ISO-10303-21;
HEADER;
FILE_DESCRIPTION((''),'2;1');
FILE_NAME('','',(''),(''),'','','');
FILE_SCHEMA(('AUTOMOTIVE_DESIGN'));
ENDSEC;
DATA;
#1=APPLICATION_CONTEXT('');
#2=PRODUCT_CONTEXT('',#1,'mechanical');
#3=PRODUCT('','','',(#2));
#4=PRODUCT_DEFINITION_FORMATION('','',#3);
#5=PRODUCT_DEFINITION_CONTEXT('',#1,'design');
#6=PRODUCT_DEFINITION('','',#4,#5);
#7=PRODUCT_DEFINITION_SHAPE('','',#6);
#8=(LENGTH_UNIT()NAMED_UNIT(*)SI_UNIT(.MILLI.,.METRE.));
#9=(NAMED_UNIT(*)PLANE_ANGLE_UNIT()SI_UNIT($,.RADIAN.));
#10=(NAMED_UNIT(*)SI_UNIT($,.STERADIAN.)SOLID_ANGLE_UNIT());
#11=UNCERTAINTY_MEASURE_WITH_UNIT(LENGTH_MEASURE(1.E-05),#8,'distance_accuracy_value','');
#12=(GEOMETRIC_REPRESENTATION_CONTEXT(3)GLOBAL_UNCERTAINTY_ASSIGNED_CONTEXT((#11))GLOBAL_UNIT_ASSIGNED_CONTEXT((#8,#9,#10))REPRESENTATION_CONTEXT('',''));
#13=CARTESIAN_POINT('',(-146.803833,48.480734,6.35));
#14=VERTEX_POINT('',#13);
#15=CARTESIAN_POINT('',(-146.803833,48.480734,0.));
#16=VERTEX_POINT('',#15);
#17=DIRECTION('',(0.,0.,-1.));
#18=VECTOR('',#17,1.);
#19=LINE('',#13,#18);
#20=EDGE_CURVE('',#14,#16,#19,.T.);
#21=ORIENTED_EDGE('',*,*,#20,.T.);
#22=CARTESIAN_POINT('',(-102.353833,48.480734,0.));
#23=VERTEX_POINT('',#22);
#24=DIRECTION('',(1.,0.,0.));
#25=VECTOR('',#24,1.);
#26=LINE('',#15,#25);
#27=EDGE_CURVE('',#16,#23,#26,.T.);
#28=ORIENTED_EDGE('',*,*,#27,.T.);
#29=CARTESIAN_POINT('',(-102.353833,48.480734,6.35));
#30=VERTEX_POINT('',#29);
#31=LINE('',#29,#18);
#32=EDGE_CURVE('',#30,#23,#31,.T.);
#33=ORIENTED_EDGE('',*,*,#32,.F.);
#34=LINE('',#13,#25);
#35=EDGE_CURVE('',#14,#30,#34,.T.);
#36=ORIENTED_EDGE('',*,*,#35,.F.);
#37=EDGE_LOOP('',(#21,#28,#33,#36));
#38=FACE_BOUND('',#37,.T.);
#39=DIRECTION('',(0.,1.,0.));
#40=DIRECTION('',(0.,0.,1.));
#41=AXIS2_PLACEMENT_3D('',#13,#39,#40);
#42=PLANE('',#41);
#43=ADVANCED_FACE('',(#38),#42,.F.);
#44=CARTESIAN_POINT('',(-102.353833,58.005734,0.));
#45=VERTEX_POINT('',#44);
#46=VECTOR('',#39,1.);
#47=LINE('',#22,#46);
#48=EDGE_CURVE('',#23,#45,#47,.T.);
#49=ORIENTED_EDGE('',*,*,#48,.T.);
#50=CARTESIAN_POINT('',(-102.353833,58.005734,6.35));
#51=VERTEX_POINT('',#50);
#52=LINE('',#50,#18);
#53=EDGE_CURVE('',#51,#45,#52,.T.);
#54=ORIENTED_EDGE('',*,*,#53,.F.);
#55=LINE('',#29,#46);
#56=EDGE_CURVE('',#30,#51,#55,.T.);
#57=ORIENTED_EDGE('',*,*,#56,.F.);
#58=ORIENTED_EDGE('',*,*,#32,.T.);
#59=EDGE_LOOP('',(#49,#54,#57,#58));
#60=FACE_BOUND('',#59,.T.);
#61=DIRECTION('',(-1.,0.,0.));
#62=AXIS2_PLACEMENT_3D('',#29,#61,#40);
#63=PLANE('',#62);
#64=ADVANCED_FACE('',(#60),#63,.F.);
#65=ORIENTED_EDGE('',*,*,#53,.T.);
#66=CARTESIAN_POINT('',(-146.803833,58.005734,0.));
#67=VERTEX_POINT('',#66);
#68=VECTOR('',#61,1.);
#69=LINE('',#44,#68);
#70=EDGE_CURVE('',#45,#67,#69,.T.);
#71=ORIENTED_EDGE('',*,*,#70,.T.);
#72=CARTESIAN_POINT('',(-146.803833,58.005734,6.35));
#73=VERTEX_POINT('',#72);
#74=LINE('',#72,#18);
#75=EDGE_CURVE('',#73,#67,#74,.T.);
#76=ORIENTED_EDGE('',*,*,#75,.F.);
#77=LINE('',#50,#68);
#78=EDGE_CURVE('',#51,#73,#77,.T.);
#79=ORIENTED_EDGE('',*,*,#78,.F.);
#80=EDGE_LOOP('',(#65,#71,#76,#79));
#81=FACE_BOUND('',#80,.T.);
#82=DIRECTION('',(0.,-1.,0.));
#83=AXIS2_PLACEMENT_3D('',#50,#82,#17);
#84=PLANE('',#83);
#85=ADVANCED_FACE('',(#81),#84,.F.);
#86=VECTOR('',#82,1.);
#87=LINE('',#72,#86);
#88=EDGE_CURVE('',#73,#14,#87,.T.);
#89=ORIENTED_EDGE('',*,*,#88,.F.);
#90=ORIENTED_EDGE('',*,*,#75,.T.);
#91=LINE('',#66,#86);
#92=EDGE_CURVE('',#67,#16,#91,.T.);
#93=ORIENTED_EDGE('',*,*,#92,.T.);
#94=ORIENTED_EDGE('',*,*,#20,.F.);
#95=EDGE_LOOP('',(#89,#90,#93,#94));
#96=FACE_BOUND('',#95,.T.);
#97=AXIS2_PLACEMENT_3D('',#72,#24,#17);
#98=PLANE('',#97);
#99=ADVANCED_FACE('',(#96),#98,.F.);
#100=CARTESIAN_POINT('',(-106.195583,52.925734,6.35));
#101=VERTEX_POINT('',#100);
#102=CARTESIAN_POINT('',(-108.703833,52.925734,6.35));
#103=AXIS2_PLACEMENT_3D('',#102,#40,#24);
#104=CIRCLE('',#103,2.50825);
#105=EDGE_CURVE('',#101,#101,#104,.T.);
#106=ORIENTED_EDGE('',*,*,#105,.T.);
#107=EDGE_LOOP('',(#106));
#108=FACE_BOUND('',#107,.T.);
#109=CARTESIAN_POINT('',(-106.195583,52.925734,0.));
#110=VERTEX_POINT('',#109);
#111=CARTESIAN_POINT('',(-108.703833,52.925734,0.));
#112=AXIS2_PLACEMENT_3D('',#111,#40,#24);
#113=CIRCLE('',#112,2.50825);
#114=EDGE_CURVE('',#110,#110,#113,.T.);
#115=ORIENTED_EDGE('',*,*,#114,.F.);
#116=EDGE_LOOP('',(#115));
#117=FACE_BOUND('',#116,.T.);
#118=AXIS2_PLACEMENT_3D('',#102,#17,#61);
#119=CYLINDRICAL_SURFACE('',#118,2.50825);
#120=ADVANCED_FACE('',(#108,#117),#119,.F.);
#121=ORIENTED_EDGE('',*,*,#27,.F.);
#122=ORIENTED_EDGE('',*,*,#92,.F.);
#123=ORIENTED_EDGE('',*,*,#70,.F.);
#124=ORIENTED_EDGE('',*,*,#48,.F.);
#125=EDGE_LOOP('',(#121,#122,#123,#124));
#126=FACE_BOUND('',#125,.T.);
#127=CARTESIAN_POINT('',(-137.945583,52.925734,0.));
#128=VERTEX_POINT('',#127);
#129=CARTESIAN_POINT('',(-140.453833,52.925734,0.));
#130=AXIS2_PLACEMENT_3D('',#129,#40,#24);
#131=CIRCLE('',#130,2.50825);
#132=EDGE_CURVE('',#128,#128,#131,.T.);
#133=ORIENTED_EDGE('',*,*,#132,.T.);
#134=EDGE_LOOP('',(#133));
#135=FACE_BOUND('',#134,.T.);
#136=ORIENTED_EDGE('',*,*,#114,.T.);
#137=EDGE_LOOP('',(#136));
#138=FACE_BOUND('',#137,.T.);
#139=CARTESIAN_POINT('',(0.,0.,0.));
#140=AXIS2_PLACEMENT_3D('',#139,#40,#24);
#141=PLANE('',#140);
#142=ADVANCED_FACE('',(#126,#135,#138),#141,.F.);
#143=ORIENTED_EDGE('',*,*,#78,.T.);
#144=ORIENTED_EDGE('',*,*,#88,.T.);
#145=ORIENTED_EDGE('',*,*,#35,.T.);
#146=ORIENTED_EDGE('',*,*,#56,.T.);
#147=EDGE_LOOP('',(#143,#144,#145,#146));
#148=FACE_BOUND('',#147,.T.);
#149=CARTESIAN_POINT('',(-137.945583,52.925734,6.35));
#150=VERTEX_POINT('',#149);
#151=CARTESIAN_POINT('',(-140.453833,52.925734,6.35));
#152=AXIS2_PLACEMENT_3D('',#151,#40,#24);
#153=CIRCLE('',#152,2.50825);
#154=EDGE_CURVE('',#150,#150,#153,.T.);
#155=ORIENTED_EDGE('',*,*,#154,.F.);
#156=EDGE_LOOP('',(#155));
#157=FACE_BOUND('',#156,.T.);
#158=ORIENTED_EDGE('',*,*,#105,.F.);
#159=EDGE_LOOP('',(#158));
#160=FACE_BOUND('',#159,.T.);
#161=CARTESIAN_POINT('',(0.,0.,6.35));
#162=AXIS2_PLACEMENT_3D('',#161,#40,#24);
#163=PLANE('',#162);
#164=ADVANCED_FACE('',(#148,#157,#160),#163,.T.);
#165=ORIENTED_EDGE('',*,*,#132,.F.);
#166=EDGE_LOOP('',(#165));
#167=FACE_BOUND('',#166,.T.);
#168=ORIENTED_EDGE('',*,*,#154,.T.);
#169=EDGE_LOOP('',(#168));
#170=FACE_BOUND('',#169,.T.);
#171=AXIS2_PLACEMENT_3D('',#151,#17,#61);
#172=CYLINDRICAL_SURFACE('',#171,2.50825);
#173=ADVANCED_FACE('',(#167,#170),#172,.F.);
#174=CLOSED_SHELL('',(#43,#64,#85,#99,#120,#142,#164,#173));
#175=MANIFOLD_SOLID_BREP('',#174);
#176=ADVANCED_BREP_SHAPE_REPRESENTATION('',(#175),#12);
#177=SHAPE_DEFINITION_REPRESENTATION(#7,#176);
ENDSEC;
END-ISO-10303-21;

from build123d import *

# Parameters (mm, degrees)
SKETCH_1_W      = 44.45
SKETCH_1_H      = 9.525
SKETCH_1_R      = 2.50825
EXTRUDE_1_DEPTH = 6.35


with BuildPart() as part:
    # Эскиз1 → Бобышка-Вытянуть1 (new body)
    with BuildSketch(Plane.XY):
        with Locations((-124.578833131, 53.243233664)):
            Rectangle(SKETCH_1_W, SKETCH_1_H)
        with Locations((-108.703833131, 52.925733664)):
            Circle(SKETCH_1_R, mode=Mode.SUBTRACT)
        with Locations((-140.453833131, 52.925733664)):
            Circle(SKETCH_1_R, mode=Mode.SUBTRACT)
    extrude(amount=EXTRUDE_1_DEPTH)


solid = part.part
